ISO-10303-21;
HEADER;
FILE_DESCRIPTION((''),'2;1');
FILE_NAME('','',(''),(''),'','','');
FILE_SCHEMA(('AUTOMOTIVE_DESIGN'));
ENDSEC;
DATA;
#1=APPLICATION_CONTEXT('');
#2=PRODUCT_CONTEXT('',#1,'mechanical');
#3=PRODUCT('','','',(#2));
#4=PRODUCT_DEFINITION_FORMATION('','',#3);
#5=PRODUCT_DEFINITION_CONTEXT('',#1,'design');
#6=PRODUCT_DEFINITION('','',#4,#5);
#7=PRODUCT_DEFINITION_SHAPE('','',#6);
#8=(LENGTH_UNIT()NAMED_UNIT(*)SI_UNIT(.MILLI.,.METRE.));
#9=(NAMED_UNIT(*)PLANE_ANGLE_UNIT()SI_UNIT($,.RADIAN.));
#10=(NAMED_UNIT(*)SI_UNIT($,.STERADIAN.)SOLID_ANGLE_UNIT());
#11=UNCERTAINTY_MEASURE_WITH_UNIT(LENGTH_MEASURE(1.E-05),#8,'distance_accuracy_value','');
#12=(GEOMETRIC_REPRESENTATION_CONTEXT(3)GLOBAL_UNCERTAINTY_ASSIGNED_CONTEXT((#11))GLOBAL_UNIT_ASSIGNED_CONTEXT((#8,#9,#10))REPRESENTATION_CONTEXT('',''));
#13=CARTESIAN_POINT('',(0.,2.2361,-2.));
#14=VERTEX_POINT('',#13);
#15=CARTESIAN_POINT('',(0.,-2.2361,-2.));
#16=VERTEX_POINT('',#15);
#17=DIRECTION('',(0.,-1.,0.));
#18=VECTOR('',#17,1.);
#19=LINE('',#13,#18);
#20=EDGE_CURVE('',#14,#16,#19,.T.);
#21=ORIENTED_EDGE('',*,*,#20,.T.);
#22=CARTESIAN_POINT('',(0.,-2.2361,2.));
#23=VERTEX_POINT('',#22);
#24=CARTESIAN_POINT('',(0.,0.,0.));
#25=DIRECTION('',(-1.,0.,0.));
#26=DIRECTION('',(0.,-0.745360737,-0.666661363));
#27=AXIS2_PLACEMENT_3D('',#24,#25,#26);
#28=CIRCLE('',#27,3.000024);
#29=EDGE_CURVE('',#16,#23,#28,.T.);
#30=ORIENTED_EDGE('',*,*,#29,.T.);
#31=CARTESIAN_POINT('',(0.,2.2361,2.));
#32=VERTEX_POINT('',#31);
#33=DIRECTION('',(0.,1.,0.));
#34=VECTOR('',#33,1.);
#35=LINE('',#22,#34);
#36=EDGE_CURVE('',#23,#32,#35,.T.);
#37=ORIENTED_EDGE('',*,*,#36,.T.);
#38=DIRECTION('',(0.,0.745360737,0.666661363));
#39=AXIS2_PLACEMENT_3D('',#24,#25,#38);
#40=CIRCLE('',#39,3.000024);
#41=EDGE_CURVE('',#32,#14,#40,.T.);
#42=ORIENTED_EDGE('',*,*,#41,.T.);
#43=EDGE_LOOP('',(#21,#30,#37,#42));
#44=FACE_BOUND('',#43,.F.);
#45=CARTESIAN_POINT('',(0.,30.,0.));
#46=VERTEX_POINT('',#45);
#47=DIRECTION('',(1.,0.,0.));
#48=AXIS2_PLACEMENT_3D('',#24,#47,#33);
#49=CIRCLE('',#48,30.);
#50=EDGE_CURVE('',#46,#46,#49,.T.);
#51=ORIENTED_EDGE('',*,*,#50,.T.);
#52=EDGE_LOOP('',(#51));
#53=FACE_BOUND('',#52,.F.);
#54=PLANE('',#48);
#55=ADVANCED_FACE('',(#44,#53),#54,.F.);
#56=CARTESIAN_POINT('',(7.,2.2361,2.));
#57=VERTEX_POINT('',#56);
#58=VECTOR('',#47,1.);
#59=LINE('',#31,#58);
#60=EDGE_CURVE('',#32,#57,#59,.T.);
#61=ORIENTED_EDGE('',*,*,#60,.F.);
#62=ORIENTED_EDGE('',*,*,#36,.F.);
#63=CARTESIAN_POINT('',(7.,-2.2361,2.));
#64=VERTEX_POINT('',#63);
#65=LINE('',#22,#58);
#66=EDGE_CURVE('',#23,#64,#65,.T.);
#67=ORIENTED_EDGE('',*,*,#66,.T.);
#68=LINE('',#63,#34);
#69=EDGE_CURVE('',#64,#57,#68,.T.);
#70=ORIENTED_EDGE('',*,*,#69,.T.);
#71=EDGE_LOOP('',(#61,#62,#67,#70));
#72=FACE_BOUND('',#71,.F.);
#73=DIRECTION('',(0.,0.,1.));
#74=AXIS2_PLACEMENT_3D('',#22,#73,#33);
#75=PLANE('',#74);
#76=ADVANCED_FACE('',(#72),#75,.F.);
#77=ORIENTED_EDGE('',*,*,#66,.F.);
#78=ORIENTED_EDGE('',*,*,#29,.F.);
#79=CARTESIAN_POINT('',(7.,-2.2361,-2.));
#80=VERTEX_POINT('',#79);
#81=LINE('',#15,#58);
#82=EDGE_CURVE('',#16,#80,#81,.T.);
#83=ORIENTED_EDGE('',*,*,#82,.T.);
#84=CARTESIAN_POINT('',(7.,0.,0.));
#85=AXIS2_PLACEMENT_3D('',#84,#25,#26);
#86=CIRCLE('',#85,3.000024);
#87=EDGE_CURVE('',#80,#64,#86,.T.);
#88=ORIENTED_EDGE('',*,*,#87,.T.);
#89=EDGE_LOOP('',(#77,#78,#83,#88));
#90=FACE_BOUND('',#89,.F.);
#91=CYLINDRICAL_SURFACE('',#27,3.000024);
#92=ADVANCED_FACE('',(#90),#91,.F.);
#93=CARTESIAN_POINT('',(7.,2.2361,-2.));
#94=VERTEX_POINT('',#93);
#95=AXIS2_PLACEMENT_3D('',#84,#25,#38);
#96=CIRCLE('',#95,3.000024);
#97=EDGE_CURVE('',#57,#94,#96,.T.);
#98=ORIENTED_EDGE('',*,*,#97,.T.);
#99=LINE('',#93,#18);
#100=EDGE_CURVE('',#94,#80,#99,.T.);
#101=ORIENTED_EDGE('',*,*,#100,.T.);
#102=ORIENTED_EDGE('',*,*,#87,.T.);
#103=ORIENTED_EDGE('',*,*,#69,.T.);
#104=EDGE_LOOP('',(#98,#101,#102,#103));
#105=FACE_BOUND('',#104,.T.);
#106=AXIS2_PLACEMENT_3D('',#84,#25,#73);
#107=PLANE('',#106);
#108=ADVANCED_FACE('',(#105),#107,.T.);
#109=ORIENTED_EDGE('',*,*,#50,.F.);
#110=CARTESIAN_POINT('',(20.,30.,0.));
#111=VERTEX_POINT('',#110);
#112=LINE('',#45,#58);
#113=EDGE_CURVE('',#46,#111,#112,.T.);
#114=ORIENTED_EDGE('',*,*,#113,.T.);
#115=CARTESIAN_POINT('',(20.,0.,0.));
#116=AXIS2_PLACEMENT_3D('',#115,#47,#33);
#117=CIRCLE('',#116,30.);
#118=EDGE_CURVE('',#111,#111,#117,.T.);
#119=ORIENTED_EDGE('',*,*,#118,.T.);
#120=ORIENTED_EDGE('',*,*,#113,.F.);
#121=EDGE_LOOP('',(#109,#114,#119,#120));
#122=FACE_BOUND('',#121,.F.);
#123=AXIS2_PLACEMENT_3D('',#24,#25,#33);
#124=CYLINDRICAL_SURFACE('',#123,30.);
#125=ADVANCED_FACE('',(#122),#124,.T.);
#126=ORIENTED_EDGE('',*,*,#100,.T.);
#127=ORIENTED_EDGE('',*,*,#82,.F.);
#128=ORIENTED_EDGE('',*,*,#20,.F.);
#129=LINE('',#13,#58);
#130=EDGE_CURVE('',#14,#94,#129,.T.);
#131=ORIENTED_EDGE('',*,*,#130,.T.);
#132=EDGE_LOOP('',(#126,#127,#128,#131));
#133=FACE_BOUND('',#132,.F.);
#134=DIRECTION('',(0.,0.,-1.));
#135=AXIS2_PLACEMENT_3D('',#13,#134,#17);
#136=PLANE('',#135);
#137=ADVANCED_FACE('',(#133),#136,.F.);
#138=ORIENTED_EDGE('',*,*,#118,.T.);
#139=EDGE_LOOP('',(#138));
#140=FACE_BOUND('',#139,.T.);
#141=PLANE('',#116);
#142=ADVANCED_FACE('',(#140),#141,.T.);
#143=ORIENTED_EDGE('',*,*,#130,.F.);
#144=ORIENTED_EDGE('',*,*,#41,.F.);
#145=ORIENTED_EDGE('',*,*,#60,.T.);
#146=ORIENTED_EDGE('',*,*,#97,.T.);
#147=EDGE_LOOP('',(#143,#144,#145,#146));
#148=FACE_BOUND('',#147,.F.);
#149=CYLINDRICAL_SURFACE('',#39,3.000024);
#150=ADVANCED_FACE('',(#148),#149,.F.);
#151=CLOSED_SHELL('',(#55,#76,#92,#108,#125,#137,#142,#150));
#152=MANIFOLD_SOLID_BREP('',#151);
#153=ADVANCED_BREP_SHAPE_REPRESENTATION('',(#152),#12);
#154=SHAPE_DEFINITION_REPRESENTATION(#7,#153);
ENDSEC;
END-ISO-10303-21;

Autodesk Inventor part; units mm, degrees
ref_plane "YZ Plane" through (0, 0, 0) normal (1, 0, 0) x (0, 1, 0)
ref_plane "XZ Plane" through (0, 0, 0) normal (0, 1, 0) x (-1, 0, 0)
ref_plane "XY Plane" through (0, 0, 0) normal (0, 0, 1) x (1, 0, 0)
sketch "Sketch1" plane through (0, 0, 0) normal (1, 0, 0) x (0, 1, 0)
  circle A0 centre (0, 0) radius 30
  dimension "diameter" = 60
extrude "Extrusion1" add sketch "Sketch1" along normal blind 20
sketch "Sketch2" plane through (0, 0, 0) normal (-1, 0, 0) x (0, 0, 1)
  line L0 (-2, -2.2361) -> (2, -2.2361) construction
  line L1 (2, -2.2361) -> (2, 2.2361)
  line L2 (2, 2.2361) -> (-2, 2.2361) construction
  line L3 (-2, 2.2361) -> (-2, -2.2361)
  line L4 (-2, -2.2361) -> (2, 2.2361) construction
  line L5 (2, -2.2361) -> (0, 0) construction
  arc A0 (-2, -2.2361) -> (2, -2.2361) centre (0, 0) ccw
  arc A1 (-2, 2.2361) -> (-2, -2.2361) centre (0, 0) ccw construction
  arc A2 (2, 2.2361) -> (-2, 2.2361) centre (0, 0) ccw
  arc A3 (2, -2.2361) -> (2, 2.2361) centre (0, 0) ccw construction
  line L6 (0, 0) -> (-2, 2.2361) construction
  dimension "d5" = 4
  dimension "d7" = 6
extrude "Extrusion2" cut sketch "Sketch2" against normal blind 7
properties part number "wheel"
